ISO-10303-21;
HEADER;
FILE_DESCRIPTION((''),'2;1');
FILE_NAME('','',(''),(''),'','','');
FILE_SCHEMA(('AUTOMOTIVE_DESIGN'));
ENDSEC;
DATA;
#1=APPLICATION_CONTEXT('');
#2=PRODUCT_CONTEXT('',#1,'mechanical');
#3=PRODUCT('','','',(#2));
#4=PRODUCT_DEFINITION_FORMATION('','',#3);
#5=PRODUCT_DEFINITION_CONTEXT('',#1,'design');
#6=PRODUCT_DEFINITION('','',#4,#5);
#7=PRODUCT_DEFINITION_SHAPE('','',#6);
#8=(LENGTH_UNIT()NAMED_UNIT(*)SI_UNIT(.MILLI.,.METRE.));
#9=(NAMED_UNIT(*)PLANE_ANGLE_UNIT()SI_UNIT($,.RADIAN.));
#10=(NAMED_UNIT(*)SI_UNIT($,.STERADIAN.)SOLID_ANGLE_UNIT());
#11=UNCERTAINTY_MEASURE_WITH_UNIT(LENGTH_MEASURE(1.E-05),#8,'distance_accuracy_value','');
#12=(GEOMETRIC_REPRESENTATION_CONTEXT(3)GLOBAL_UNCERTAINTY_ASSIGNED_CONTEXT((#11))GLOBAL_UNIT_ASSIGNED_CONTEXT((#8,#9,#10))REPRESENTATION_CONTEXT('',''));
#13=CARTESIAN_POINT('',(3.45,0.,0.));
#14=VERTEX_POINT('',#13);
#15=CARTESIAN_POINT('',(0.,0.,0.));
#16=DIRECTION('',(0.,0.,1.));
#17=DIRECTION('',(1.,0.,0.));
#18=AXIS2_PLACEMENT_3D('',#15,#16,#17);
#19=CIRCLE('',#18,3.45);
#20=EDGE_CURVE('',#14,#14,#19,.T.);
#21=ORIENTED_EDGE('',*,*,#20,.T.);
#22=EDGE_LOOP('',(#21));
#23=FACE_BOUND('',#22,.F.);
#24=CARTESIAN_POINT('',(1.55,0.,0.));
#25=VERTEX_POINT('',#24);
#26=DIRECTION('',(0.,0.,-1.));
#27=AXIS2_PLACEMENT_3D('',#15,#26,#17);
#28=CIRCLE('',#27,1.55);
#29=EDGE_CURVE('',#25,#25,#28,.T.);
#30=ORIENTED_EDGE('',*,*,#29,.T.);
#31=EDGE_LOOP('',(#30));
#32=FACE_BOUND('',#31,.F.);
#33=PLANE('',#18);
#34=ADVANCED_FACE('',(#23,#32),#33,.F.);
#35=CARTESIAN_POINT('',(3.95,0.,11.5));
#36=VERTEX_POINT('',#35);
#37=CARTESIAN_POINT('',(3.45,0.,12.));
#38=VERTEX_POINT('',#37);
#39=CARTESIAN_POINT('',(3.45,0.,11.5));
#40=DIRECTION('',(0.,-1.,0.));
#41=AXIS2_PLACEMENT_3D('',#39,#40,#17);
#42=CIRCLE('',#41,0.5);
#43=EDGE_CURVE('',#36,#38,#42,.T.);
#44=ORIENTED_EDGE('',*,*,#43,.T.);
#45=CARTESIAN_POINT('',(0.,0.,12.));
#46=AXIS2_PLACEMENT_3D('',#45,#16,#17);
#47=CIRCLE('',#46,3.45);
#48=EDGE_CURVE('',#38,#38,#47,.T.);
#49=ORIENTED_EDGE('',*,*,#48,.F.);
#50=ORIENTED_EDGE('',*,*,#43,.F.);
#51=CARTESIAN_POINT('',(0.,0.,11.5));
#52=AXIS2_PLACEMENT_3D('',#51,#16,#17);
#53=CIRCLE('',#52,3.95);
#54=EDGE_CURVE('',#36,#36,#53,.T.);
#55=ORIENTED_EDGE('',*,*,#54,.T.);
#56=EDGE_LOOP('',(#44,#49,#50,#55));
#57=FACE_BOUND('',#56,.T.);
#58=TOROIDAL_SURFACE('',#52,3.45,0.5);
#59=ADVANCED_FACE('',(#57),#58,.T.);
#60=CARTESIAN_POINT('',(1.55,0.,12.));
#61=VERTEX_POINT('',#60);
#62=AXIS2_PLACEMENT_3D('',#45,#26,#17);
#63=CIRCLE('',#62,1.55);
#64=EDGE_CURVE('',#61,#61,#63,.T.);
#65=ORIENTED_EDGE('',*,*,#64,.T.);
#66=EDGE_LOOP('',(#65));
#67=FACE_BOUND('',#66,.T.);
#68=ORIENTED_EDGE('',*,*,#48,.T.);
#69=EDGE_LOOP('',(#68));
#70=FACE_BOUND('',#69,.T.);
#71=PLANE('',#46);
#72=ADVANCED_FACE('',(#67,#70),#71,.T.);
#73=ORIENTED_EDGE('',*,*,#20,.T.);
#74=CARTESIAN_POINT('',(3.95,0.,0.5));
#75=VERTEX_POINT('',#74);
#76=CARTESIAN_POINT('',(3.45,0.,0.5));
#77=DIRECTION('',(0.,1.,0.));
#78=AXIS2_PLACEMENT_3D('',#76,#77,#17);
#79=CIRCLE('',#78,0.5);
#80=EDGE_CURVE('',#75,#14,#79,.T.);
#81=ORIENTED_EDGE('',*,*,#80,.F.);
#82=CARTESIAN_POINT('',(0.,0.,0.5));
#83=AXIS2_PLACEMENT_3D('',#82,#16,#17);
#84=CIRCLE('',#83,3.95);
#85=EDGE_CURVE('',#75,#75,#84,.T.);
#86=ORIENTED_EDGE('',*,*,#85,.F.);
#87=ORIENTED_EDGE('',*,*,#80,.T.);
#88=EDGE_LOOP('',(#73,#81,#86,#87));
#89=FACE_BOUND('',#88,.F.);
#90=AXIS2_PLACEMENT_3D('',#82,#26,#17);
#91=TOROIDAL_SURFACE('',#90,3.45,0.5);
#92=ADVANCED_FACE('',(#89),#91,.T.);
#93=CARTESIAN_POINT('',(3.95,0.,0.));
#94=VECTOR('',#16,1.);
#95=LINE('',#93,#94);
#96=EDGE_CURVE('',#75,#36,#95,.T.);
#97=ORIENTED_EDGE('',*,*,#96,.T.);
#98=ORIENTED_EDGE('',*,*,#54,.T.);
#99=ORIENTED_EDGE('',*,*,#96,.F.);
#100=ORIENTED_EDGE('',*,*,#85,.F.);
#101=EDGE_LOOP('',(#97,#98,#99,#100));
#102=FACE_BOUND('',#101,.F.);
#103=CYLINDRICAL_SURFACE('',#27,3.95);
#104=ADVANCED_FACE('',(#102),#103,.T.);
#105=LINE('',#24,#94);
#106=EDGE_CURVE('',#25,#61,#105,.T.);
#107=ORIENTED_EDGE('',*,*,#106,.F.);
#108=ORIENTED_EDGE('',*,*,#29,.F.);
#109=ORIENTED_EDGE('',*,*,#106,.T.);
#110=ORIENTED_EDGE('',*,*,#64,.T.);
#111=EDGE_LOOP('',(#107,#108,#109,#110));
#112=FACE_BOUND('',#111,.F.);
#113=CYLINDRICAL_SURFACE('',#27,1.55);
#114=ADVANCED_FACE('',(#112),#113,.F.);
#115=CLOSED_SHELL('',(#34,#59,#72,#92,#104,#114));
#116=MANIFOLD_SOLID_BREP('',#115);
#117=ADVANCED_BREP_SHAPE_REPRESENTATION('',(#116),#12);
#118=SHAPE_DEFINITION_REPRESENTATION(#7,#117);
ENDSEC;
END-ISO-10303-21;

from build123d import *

# Parameters (mm, degrees)
F0_R     = 3.95
F1_DEPTH = 12
F2_R     = 1.55
F3_DEPTH = 12.001
F4_R     = 0.5


with BuildPart() as f1:
    # F0 (on Top) → F1 (new body)
    with BuildSketch(Plane.XY):
        Circle(F0_R)
    extrude(amount=F1_DEPTH)

    # F2 (on face) → F3 (cut, through all)
    with BuildSketch(Plane(origin=(0, 0, 0), x_dir=(1, 0, 0), z_dir=(0, 0, -1))):
        Circle(F2_R)
    extrude(amount=-F3_DEPTH, mode=Mode.SUBTRACT)

    # F4
    f4_edges = [f1.edges().sort_by_distance(p)[0] for p in [
        (-3.95, 0, 0),
        (-3.95, 0, 12),
    ]]
    fillet(f4_edges, radius=F4_R)


solid = f1.part
